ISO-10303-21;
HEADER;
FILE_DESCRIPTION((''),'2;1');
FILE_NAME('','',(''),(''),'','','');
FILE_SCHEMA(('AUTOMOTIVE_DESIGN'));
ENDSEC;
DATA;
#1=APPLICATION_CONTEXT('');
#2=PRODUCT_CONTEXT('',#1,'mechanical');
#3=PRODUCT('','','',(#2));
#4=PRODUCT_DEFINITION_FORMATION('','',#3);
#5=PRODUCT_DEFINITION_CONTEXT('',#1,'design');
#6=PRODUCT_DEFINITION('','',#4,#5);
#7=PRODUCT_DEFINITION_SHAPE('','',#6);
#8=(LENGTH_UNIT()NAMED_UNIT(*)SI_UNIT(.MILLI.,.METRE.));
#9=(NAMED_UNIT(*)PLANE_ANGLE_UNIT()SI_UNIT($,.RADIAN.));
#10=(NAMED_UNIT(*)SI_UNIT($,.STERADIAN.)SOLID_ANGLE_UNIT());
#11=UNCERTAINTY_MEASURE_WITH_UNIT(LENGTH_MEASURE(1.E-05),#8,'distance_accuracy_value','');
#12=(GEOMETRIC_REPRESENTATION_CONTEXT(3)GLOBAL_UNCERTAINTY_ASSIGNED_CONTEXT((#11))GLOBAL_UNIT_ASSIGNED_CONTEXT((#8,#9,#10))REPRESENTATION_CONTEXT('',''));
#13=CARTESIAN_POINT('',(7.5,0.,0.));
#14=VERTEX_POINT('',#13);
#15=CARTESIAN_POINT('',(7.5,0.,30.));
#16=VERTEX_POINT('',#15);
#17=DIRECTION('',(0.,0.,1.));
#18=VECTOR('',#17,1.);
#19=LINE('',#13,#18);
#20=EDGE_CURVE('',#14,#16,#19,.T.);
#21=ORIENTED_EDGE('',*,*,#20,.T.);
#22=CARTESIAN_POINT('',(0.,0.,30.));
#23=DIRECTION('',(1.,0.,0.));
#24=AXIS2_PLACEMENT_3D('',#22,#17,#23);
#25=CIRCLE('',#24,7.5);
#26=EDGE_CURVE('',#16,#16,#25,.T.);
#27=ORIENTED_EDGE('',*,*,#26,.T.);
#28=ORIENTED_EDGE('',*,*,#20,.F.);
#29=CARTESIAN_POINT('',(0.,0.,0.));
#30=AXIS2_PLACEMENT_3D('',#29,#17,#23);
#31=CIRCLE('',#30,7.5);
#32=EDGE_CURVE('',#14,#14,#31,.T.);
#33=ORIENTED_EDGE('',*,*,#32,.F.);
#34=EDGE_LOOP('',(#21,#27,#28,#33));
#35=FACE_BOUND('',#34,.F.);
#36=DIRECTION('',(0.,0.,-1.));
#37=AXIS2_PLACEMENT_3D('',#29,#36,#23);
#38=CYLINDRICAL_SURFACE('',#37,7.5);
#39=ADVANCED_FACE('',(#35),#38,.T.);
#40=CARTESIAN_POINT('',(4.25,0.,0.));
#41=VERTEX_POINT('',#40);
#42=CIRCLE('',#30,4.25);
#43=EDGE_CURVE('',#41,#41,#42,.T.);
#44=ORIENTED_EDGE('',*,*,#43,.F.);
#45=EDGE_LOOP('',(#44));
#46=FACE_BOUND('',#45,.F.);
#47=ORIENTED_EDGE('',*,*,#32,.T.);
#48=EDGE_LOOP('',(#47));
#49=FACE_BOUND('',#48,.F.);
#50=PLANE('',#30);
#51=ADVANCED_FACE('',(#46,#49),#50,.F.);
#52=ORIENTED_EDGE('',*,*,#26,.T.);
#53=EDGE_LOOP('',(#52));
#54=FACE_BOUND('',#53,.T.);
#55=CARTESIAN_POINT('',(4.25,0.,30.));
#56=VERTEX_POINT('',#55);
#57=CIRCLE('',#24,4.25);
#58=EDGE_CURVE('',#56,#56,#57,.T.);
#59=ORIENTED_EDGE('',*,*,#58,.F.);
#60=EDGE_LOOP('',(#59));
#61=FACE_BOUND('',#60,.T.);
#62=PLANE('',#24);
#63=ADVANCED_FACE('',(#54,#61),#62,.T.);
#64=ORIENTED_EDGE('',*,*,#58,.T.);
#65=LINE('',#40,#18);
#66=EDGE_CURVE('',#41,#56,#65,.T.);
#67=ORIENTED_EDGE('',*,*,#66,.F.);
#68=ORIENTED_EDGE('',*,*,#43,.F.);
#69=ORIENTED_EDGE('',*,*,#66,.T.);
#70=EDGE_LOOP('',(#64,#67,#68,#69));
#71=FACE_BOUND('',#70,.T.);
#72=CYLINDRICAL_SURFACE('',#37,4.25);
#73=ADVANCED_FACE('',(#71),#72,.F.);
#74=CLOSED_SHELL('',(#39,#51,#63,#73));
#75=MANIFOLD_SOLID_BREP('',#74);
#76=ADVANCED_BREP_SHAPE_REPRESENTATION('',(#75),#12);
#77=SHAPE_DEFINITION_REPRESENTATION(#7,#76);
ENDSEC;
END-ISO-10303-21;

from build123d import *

# Parameters (mm, degrees)
SKETCH_R   = 7.5
SKETCH_R_2 = 4.25
PAD_DEPTH  = 30


with BuildPart() as part:
    # Sketch → Pad (new body)
    with BuildSketch(Plane.XY):
        Circle(SKETCH_R)
        Circle(SKETCH_R_2, mode=Mode.SUBTRACT)
    extrude(amount=PAD_DEPTH)


solid = part.part
